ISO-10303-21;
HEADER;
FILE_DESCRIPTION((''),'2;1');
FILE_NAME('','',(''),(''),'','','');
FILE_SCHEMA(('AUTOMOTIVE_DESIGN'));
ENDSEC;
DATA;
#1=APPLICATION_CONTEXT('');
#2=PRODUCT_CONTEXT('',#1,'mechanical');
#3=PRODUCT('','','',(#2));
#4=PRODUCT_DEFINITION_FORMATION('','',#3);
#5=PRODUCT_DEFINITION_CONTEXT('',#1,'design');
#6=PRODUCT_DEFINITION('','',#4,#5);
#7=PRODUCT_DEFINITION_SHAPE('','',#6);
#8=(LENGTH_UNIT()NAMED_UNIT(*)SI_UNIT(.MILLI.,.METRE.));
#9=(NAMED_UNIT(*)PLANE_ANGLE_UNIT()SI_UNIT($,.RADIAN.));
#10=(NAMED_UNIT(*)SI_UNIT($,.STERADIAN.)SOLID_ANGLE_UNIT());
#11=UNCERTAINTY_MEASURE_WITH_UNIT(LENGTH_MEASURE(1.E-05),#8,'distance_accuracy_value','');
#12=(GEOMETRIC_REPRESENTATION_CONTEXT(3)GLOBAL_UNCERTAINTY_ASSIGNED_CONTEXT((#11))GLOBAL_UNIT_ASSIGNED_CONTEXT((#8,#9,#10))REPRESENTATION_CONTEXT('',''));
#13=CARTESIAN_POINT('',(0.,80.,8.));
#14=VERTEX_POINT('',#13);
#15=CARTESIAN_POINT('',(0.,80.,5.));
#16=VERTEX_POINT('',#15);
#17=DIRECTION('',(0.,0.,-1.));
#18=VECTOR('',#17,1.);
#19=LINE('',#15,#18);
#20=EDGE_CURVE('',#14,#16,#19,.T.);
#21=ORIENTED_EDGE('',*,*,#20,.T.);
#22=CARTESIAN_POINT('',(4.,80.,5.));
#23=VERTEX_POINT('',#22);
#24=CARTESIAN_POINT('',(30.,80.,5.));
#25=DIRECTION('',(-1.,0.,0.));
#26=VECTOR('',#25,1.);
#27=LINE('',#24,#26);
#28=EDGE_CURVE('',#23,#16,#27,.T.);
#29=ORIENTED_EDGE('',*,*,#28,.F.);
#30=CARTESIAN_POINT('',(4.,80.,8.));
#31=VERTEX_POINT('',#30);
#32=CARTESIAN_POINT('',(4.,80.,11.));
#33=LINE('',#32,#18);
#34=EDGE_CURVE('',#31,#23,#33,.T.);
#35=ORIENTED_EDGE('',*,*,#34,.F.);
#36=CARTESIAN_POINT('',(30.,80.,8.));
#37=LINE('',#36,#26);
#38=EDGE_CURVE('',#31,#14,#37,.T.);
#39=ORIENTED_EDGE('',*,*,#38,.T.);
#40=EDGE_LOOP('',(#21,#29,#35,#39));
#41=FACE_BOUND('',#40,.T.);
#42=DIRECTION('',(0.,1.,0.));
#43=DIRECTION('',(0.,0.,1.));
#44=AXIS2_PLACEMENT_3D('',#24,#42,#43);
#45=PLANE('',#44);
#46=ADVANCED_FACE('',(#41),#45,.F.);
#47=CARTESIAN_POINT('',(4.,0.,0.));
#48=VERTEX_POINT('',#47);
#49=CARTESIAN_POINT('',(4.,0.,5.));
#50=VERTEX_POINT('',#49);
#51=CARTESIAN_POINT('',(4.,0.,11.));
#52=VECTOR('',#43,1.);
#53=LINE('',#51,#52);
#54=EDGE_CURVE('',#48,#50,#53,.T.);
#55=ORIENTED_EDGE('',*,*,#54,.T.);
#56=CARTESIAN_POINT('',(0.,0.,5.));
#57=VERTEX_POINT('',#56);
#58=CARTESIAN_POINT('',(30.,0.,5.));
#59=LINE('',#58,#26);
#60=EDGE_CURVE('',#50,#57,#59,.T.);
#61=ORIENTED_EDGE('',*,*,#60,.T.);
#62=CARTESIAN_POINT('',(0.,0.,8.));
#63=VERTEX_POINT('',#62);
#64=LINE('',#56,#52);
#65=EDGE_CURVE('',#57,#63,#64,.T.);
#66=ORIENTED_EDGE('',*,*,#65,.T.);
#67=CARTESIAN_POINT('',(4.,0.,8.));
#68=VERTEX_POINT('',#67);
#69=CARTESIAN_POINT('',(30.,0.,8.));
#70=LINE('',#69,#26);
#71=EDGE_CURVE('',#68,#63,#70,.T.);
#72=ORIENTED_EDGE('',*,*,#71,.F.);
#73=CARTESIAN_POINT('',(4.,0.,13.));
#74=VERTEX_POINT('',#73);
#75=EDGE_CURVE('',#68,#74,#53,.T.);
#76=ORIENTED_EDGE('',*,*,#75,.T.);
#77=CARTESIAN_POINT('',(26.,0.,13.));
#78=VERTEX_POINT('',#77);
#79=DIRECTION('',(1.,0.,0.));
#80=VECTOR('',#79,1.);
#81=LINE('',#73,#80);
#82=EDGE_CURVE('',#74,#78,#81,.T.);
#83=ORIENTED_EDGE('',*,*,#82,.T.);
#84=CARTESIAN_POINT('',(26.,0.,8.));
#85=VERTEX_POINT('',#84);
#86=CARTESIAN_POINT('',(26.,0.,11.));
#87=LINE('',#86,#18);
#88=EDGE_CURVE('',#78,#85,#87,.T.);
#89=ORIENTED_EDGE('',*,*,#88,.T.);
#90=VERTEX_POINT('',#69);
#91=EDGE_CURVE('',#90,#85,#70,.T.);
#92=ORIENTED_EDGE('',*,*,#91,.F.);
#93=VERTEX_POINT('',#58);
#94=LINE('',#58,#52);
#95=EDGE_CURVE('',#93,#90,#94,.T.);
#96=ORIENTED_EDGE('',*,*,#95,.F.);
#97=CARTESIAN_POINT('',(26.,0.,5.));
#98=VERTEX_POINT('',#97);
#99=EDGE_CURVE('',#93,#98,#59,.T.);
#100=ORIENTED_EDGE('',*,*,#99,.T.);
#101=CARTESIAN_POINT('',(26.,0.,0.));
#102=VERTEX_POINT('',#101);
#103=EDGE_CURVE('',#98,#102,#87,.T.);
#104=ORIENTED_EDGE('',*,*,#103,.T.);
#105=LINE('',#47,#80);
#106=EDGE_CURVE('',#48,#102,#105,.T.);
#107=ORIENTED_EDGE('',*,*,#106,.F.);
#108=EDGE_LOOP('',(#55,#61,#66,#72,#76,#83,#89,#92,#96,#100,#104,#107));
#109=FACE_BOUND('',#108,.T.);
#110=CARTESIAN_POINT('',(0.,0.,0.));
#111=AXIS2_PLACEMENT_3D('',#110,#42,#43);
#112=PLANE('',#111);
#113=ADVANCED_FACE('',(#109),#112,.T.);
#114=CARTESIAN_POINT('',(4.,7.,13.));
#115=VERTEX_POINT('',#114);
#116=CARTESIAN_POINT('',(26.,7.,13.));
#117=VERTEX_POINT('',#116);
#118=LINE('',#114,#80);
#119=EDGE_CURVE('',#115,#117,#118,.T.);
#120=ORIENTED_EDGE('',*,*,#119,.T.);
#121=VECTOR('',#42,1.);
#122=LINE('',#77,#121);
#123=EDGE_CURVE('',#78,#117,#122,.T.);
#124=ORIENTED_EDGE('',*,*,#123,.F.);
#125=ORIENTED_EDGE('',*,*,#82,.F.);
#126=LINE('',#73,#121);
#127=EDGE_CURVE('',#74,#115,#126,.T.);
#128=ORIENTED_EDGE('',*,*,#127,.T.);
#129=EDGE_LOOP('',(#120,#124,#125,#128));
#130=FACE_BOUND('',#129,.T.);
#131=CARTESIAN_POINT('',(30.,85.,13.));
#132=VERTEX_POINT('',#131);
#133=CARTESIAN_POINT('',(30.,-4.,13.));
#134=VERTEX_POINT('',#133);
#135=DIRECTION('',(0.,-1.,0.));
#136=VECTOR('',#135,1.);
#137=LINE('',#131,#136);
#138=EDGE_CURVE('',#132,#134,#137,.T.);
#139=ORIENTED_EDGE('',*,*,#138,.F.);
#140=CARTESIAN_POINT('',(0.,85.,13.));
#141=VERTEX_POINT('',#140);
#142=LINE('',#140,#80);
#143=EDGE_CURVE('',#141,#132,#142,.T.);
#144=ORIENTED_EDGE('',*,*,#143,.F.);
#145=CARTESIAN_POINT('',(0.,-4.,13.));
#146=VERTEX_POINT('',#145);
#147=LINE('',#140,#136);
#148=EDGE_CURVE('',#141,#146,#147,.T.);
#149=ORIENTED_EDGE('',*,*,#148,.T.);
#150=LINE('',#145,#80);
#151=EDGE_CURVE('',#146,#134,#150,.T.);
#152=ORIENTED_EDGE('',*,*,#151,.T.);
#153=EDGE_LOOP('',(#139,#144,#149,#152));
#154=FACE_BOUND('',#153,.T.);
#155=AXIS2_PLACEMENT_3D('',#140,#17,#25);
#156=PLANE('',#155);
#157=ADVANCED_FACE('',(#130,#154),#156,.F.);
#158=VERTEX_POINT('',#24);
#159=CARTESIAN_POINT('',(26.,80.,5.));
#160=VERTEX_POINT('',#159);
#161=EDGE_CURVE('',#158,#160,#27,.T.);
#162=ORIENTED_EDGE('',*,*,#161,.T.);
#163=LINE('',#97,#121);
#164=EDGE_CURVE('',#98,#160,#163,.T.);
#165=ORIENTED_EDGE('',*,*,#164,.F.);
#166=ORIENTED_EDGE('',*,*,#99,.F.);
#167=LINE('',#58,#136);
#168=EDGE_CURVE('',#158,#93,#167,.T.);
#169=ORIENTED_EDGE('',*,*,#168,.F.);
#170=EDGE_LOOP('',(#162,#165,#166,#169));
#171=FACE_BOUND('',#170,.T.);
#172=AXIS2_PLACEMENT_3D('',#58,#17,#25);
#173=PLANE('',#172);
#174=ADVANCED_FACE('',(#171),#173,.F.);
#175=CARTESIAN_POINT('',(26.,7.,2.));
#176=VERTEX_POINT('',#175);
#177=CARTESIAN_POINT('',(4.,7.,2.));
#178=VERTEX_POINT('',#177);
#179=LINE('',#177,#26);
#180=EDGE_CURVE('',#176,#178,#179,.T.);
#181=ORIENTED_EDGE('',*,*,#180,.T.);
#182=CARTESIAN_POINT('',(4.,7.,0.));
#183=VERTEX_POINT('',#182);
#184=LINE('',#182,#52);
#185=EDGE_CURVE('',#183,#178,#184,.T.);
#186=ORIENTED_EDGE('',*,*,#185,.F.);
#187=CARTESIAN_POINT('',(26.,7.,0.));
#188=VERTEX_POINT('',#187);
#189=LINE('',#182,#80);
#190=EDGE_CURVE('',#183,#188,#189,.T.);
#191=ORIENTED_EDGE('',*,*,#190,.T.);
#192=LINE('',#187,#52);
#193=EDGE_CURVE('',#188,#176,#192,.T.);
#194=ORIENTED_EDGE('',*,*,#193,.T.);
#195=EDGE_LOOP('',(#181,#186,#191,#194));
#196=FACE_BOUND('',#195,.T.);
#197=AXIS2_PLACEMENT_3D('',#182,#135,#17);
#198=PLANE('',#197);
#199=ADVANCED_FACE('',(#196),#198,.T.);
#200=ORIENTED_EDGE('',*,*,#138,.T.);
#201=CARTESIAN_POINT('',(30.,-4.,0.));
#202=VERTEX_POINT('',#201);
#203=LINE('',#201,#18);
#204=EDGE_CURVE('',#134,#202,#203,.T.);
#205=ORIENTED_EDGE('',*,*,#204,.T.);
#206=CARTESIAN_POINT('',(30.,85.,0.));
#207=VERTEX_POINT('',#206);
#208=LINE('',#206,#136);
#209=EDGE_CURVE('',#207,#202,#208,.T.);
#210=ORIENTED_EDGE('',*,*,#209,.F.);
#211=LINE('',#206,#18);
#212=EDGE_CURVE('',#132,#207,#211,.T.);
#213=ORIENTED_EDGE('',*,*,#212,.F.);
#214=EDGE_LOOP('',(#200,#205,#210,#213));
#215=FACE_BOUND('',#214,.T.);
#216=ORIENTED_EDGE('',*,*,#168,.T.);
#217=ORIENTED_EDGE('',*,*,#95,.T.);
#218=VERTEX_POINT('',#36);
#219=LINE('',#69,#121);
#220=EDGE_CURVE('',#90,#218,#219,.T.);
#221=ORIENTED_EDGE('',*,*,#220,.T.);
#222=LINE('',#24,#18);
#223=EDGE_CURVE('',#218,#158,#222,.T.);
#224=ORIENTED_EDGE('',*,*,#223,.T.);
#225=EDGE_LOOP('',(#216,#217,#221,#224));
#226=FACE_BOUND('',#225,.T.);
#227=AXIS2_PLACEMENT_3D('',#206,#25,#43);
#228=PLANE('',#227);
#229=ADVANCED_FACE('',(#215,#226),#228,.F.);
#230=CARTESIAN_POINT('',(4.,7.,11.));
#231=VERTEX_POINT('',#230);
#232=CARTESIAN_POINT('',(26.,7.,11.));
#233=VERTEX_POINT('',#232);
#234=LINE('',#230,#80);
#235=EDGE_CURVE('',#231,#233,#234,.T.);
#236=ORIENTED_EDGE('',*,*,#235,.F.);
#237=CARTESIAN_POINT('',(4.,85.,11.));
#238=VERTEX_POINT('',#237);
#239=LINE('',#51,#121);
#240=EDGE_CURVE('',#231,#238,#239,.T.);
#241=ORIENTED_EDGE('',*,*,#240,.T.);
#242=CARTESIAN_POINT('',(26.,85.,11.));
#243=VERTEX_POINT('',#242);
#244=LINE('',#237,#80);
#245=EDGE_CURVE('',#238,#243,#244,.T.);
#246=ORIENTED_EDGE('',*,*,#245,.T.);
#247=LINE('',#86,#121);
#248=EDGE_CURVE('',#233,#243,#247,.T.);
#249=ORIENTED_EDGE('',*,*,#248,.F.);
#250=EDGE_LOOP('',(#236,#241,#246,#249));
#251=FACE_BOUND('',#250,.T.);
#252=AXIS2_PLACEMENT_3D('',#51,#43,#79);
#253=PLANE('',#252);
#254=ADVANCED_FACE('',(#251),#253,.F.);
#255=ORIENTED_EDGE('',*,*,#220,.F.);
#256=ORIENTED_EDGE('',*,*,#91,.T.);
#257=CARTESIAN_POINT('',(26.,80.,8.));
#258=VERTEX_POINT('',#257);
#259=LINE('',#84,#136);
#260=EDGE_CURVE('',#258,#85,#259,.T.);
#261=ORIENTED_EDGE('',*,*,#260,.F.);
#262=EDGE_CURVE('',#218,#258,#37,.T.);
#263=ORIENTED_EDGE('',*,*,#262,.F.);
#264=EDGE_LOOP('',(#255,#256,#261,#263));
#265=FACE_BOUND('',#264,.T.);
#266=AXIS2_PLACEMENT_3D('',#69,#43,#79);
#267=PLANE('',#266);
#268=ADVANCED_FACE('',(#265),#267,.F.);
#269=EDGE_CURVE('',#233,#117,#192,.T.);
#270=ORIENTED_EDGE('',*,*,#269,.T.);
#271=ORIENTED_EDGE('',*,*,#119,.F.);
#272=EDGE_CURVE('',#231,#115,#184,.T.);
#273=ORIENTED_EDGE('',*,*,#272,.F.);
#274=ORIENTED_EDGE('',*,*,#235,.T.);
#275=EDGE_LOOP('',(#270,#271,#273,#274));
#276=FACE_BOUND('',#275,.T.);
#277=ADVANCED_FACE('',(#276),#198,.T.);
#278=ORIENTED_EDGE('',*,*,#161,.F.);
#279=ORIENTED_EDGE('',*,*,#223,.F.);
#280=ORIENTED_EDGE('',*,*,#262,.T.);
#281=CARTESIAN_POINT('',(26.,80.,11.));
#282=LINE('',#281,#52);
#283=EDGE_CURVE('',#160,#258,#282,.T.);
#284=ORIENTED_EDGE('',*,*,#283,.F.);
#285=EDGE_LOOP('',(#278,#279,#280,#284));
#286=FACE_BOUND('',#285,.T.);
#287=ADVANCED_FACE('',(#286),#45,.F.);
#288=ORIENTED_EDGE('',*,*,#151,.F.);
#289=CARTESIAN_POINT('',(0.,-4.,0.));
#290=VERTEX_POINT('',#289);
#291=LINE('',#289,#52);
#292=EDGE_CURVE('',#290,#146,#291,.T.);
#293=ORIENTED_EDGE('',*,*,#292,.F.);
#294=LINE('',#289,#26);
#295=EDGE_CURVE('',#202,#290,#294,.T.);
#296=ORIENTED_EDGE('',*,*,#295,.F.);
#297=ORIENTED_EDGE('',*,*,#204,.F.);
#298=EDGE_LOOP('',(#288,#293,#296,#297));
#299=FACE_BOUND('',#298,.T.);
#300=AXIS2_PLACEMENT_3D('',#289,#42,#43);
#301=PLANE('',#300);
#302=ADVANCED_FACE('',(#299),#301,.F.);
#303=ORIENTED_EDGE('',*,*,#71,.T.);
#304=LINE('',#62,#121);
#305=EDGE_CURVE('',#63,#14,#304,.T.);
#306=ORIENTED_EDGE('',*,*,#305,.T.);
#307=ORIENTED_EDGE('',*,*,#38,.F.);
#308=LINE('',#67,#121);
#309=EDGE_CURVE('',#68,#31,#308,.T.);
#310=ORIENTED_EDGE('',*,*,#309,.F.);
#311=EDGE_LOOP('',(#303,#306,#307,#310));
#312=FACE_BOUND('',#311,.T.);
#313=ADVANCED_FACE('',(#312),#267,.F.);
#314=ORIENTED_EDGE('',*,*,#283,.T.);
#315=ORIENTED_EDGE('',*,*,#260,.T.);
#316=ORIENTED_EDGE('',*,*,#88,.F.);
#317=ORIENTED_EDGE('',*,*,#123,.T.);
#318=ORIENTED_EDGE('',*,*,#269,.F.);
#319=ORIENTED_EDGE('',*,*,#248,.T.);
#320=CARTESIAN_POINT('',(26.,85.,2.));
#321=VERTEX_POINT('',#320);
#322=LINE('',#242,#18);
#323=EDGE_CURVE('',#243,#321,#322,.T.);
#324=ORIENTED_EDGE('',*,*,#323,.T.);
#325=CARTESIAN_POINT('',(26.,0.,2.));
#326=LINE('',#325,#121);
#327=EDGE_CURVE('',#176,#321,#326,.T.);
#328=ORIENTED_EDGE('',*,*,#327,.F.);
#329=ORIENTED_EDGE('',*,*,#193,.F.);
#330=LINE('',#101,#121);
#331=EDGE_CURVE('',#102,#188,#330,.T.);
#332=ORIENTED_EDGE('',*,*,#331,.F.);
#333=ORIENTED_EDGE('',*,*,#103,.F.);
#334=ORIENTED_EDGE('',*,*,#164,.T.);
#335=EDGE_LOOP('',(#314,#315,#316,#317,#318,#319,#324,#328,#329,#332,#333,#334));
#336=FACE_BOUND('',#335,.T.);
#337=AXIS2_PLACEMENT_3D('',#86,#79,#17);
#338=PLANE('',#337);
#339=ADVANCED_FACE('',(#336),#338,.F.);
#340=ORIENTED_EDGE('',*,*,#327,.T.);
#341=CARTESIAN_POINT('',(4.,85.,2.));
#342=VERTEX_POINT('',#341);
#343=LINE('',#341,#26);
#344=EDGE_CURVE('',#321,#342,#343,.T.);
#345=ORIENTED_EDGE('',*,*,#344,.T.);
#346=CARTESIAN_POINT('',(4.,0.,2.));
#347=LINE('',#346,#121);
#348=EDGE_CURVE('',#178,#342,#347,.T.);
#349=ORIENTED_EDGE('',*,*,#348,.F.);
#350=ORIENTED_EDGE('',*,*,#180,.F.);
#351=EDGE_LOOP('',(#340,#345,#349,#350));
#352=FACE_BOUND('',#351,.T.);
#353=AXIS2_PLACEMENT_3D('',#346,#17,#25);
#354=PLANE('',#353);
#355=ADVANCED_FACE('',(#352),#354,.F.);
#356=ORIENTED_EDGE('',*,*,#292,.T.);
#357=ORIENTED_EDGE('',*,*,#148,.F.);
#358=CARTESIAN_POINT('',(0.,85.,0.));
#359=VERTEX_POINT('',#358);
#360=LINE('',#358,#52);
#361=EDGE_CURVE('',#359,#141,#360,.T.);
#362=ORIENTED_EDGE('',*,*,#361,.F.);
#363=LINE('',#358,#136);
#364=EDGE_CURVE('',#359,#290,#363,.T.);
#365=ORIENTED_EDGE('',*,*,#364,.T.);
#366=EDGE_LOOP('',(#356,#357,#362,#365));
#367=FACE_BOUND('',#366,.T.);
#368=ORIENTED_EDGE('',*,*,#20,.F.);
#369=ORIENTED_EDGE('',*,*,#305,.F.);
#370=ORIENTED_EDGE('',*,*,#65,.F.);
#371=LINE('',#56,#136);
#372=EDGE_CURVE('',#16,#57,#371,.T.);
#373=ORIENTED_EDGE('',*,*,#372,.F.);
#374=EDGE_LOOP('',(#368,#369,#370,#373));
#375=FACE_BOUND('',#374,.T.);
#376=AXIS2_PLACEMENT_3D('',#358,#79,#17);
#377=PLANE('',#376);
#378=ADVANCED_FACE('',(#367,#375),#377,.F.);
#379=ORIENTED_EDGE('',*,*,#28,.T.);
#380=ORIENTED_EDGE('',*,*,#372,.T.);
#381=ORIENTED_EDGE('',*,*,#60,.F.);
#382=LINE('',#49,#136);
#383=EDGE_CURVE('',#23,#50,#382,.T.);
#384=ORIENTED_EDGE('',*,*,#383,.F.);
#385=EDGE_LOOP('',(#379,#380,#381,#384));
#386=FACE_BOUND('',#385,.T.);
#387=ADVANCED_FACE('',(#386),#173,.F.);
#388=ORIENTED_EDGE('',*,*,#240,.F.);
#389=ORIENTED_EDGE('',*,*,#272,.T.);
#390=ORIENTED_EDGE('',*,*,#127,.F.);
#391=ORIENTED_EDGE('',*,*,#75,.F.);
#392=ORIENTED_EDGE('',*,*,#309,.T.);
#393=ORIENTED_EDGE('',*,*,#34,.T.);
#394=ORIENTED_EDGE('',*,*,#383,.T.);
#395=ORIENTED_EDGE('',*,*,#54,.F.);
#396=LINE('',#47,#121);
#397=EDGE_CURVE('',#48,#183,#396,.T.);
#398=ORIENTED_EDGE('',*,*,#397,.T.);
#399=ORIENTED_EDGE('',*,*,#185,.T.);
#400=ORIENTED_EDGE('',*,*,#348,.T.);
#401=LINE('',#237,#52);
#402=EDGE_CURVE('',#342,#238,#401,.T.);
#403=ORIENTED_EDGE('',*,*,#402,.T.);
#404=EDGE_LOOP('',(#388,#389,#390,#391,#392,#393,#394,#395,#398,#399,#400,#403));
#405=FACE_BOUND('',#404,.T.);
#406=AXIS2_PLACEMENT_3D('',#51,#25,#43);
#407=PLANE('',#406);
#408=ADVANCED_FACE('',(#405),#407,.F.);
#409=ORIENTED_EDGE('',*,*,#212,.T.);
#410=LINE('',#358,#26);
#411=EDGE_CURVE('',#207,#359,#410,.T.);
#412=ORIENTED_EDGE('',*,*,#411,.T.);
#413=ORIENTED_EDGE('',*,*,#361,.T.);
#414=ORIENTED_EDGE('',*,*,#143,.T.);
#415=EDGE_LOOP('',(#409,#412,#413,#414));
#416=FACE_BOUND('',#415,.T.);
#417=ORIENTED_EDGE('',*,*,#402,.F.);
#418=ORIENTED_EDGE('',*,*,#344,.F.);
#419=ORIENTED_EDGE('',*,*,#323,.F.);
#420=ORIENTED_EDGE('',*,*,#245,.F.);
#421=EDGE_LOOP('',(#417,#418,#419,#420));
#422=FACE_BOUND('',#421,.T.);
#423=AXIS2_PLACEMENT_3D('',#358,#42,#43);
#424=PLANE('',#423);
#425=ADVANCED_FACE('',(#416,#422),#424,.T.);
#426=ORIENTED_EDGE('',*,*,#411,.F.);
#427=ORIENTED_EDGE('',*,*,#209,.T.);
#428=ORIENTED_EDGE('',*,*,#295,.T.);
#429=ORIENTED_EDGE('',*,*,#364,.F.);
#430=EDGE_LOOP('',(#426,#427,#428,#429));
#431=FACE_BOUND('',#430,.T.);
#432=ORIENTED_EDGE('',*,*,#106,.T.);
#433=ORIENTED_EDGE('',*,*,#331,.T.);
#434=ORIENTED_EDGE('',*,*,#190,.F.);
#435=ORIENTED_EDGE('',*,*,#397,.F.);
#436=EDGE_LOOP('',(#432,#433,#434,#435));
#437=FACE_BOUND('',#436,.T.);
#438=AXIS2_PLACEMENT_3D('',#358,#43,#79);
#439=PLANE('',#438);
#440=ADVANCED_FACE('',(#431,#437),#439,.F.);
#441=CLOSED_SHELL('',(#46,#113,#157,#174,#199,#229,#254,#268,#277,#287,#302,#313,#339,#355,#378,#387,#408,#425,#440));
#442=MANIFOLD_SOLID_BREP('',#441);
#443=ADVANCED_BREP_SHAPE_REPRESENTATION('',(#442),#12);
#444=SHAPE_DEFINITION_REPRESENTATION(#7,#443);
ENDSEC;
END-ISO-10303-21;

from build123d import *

# Parameters (mm, degrees)
SKETCH1_W           = 30
SKETCH1_H           = 13
BOSS_EXTRUDE1_DEPTH = 85
SKETCH2_W           = 22
SKETCH2_H           = 9
CUT_EXTRUDE2_DEPTH  = 85
SKETCH5_W           = 30
SKETCH5_H           = 13
BOSS_EXTRUDE3_DEPTH = 4
SKETCH12_W          = 22
SKETCH12_H          = 7
CUT_EXTRUDE4_DEPTH  = 13
SKETCH13_W          = 3
SKETCH13_H          = 80
CUT_EXTRUDE5_DEPTH  = 92.07140056


with BuildPart() as part:
    # Sketch1 → Boss-Extrude1 (new body)
    with BuildSketch(Plane(origin=(0, 0, 0), x_dir=(1, 0, 0), z_dir=(0, 1, 0))):
        with Locations((15, -6.5)):
            Rectangle(SKETCH1_W, SKETCH1_H)
    extrude(amount=BOSS_EXTRUDE1_DEPTH)

    # Sketch2 → Cut-Extrude2 (cut)
    with BuildSketch(Plane(origin=(0, 85, 0), x_dir=(1, 0, 0), z_dir=(0, 1, 0))):
        with Locations((15, -6.5)):
            Rectangle(SKETCH2_W, SKETCH2_H)
    extrude(amount=-CUT_EXTRUDE2_DEPTH, mode=Mode.SUBTRACT)

    # Sketch5 → Boss-Extrude3 (add)
    with BuildSketch(Plane(origin=(0, 0, 0), x_dir=(1, 0, 0), z_dir=(0, 1, 0))):
        with Locations((15, -6.5)):
            Rectangle(SKETCH5_W, SKETCH5_H)
    extrude(amount=-BOSS_EXTRUDE3_DEPTH)

    # Sketch12 → Cut-Extrude4 (cut)
    with BuildSketch(Plane.XY.offset(13)):
        with Locations((15, 3.5)):
            Rectangle(SKETCH12_W, SKETCH12_H)
    extrude(amount=-CUT_EXTRUDE4_DEPTH, mode=Mode.SUBTRACT)

    # Sketch13 → Cut-Extrude5 (cut, through all)
    with BuildSketch(Plane.ZY):
        with Locations((6.5, 40)):
            Rectangle(SKETCH13_W, SKETCH13_H)
    extrude(amount=-CUT_EXTRUDE5_DEPTH, mode=Mode.SUBTRACT)


solid = part.part
